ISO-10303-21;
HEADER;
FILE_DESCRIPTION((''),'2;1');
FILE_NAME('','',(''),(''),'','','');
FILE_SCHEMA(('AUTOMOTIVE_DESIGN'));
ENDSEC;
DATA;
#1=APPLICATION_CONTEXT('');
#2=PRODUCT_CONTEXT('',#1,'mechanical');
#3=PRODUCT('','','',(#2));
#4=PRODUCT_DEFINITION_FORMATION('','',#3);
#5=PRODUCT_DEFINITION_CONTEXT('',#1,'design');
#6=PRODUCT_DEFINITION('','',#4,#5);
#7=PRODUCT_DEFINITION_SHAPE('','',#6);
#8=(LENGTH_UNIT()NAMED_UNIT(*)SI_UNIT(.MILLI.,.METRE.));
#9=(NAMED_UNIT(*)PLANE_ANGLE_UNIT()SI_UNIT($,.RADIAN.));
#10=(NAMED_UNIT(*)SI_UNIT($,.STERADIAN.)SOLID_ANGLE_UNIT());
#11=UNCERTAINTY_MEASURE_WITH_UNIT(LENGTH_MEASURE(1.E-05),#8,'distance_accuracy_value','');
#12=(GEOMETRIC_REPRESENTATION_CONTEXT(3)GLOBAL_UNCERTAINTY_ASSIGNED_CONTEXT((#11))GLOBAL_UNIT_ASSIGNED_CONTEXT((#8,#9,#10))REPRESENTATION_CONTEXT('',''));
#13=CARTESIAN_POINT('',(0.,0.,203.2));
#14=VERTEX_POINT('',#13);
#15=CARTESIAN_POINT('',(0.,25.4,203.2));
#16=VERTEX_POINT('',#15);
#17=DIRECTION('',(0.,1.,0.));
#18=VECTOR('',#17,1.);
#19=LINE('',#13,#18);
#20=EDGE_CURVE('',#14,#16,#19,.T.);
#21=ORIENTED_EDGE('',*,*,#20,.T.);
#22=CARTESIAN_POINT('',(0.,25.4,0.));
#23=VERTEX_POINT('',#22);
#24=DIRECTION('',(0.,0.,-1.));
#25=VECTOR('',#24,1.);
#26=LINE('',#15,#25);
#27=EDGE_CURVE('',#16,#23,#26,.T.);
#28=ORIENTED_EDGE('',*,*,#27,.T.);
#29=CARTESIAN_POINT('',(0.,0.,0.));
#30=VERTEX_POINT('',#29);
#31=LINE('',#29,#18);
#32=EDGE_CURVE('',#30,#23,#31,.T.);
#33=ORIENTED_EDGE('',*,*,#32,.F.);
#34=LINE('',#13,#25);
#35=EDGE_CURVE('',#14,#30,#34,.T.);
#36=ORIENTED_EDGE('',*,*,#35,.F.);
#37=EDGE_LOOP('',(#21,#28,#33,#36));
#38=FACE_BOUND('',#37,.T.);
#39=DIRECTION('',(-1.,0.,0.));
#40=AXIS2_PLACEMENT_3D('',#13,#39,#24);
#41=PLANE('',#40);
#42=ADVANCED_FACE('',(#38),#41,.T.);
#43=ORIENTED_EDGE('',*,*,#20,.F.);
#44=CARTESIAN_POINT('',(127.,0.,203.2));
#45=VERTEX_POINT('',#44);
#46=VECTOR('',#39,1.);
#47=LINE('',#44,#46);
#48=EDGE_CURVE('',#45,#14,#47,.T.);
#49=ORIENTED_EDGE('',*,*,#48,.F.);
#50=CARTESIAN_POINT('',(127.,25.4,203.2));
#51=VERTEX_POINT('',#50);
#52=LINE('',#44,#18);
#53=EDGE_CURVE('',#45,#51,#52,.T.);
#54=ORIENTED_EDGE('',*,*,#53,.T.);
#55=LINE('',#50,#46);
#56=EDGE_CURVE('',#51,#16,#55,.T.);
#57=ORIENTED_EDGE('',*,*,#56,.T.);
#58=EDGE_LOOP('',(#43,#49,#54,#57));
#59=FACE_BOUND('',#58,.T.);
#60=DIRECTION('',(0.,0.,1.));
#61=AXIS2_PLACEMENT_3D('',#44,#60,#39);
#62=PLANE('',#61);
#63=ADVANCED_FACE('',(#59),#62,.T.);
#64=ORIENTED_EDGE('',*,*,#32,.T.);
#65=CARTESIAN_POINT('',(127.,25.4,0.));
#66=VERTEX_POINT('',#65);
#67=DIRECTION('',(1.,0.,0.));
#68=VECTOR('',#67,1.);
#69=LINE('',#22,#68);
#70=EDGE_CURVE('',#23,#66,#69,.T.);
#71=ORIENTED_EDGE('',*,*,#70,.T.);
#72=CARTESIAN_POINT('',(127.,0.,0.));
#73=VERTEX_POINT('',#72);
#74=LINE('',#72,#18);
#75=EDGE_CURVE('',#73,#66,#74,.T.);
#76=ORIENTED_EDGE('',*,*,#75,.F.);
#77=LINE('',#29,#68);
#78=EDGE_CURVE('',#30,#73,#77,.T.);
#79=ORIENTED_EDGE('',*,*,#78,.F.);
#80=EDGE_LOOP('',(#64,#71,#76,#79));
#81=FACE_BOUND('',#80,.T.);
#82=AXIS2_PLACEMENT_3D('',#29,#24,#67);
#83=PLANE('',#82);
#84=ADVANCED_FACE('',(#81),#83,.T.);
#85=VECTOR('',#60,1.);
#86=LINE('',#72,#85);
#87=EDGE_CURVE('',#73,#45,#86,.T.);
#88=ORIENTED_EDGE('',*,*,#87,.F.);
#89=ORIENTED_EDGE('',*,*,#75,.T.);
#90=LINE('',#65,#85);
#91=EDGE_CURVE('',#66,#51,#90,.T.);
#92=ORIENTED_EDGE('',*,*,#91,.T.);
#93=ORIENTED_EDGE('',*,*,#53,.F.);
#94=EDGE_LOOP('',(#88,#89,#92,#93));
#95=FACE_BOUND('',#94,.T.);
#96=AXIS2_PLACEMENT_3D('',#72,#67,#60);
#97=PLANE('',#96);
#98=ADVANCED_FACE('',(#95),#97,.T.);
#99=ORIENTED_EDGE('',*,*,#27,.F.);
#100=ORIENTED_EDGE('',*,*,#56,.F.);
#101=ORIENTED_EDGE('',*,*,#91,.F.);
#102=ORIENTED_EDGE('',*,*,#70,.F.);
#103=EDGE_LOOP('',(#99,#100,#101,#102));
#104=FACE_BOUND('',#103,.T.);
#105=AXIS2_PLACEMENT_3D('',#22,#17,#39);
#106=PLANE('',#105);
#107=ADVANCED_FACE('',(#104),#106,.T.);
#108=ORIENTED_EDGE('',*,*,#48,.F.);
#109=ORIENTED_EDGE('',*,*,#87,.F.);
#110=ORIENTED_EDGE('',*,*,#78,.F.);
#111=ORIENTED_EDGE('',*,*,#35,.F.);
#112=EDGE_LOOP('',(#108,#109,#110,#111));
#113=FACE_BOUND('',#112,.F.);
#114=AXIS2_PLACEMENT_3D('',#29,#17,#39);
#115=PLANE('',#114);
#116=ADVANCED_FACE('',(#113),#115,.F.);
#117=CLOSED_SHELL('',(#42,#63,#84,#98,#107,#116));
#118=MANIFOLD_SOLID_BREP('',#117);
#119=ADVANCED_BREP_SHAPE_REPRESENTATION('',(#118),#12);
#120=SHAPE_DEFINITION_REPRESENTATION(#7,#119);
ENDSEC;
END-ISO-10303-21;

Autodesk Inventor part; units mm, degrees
ref_plane "YZ Plane" through (0, 0, 0) normal (1, 0, 0) x (0, 1, 0)
ref_plane "XZ Plane" through (0, 0, 0) normal (0, 1, 0) x (-1, 0, 0)
ref_plane "XY Plane" through (0, 0, 0) normal (0, 0, 1) x (1, 0, 0)
sketch "Sketch1" plane through (0, 0, 0) normal (0, 1, 0) x (-1, 0, 0)
  line L0 (0, 0) -> (-127, 0)
  line L1 (-127, 0) -> (-127, 203.2)
  line L2 (-127, 203.2) -> (0, 203.2)
  line L3 (0, 203.2) -> (0, 0)
  dimension "d0" = 127
  dimension "d1" = 203.2
extrude "Extrusion1" add sketch "Sketch1" along normal blind 25.4
properties part number "Board for Fans"
